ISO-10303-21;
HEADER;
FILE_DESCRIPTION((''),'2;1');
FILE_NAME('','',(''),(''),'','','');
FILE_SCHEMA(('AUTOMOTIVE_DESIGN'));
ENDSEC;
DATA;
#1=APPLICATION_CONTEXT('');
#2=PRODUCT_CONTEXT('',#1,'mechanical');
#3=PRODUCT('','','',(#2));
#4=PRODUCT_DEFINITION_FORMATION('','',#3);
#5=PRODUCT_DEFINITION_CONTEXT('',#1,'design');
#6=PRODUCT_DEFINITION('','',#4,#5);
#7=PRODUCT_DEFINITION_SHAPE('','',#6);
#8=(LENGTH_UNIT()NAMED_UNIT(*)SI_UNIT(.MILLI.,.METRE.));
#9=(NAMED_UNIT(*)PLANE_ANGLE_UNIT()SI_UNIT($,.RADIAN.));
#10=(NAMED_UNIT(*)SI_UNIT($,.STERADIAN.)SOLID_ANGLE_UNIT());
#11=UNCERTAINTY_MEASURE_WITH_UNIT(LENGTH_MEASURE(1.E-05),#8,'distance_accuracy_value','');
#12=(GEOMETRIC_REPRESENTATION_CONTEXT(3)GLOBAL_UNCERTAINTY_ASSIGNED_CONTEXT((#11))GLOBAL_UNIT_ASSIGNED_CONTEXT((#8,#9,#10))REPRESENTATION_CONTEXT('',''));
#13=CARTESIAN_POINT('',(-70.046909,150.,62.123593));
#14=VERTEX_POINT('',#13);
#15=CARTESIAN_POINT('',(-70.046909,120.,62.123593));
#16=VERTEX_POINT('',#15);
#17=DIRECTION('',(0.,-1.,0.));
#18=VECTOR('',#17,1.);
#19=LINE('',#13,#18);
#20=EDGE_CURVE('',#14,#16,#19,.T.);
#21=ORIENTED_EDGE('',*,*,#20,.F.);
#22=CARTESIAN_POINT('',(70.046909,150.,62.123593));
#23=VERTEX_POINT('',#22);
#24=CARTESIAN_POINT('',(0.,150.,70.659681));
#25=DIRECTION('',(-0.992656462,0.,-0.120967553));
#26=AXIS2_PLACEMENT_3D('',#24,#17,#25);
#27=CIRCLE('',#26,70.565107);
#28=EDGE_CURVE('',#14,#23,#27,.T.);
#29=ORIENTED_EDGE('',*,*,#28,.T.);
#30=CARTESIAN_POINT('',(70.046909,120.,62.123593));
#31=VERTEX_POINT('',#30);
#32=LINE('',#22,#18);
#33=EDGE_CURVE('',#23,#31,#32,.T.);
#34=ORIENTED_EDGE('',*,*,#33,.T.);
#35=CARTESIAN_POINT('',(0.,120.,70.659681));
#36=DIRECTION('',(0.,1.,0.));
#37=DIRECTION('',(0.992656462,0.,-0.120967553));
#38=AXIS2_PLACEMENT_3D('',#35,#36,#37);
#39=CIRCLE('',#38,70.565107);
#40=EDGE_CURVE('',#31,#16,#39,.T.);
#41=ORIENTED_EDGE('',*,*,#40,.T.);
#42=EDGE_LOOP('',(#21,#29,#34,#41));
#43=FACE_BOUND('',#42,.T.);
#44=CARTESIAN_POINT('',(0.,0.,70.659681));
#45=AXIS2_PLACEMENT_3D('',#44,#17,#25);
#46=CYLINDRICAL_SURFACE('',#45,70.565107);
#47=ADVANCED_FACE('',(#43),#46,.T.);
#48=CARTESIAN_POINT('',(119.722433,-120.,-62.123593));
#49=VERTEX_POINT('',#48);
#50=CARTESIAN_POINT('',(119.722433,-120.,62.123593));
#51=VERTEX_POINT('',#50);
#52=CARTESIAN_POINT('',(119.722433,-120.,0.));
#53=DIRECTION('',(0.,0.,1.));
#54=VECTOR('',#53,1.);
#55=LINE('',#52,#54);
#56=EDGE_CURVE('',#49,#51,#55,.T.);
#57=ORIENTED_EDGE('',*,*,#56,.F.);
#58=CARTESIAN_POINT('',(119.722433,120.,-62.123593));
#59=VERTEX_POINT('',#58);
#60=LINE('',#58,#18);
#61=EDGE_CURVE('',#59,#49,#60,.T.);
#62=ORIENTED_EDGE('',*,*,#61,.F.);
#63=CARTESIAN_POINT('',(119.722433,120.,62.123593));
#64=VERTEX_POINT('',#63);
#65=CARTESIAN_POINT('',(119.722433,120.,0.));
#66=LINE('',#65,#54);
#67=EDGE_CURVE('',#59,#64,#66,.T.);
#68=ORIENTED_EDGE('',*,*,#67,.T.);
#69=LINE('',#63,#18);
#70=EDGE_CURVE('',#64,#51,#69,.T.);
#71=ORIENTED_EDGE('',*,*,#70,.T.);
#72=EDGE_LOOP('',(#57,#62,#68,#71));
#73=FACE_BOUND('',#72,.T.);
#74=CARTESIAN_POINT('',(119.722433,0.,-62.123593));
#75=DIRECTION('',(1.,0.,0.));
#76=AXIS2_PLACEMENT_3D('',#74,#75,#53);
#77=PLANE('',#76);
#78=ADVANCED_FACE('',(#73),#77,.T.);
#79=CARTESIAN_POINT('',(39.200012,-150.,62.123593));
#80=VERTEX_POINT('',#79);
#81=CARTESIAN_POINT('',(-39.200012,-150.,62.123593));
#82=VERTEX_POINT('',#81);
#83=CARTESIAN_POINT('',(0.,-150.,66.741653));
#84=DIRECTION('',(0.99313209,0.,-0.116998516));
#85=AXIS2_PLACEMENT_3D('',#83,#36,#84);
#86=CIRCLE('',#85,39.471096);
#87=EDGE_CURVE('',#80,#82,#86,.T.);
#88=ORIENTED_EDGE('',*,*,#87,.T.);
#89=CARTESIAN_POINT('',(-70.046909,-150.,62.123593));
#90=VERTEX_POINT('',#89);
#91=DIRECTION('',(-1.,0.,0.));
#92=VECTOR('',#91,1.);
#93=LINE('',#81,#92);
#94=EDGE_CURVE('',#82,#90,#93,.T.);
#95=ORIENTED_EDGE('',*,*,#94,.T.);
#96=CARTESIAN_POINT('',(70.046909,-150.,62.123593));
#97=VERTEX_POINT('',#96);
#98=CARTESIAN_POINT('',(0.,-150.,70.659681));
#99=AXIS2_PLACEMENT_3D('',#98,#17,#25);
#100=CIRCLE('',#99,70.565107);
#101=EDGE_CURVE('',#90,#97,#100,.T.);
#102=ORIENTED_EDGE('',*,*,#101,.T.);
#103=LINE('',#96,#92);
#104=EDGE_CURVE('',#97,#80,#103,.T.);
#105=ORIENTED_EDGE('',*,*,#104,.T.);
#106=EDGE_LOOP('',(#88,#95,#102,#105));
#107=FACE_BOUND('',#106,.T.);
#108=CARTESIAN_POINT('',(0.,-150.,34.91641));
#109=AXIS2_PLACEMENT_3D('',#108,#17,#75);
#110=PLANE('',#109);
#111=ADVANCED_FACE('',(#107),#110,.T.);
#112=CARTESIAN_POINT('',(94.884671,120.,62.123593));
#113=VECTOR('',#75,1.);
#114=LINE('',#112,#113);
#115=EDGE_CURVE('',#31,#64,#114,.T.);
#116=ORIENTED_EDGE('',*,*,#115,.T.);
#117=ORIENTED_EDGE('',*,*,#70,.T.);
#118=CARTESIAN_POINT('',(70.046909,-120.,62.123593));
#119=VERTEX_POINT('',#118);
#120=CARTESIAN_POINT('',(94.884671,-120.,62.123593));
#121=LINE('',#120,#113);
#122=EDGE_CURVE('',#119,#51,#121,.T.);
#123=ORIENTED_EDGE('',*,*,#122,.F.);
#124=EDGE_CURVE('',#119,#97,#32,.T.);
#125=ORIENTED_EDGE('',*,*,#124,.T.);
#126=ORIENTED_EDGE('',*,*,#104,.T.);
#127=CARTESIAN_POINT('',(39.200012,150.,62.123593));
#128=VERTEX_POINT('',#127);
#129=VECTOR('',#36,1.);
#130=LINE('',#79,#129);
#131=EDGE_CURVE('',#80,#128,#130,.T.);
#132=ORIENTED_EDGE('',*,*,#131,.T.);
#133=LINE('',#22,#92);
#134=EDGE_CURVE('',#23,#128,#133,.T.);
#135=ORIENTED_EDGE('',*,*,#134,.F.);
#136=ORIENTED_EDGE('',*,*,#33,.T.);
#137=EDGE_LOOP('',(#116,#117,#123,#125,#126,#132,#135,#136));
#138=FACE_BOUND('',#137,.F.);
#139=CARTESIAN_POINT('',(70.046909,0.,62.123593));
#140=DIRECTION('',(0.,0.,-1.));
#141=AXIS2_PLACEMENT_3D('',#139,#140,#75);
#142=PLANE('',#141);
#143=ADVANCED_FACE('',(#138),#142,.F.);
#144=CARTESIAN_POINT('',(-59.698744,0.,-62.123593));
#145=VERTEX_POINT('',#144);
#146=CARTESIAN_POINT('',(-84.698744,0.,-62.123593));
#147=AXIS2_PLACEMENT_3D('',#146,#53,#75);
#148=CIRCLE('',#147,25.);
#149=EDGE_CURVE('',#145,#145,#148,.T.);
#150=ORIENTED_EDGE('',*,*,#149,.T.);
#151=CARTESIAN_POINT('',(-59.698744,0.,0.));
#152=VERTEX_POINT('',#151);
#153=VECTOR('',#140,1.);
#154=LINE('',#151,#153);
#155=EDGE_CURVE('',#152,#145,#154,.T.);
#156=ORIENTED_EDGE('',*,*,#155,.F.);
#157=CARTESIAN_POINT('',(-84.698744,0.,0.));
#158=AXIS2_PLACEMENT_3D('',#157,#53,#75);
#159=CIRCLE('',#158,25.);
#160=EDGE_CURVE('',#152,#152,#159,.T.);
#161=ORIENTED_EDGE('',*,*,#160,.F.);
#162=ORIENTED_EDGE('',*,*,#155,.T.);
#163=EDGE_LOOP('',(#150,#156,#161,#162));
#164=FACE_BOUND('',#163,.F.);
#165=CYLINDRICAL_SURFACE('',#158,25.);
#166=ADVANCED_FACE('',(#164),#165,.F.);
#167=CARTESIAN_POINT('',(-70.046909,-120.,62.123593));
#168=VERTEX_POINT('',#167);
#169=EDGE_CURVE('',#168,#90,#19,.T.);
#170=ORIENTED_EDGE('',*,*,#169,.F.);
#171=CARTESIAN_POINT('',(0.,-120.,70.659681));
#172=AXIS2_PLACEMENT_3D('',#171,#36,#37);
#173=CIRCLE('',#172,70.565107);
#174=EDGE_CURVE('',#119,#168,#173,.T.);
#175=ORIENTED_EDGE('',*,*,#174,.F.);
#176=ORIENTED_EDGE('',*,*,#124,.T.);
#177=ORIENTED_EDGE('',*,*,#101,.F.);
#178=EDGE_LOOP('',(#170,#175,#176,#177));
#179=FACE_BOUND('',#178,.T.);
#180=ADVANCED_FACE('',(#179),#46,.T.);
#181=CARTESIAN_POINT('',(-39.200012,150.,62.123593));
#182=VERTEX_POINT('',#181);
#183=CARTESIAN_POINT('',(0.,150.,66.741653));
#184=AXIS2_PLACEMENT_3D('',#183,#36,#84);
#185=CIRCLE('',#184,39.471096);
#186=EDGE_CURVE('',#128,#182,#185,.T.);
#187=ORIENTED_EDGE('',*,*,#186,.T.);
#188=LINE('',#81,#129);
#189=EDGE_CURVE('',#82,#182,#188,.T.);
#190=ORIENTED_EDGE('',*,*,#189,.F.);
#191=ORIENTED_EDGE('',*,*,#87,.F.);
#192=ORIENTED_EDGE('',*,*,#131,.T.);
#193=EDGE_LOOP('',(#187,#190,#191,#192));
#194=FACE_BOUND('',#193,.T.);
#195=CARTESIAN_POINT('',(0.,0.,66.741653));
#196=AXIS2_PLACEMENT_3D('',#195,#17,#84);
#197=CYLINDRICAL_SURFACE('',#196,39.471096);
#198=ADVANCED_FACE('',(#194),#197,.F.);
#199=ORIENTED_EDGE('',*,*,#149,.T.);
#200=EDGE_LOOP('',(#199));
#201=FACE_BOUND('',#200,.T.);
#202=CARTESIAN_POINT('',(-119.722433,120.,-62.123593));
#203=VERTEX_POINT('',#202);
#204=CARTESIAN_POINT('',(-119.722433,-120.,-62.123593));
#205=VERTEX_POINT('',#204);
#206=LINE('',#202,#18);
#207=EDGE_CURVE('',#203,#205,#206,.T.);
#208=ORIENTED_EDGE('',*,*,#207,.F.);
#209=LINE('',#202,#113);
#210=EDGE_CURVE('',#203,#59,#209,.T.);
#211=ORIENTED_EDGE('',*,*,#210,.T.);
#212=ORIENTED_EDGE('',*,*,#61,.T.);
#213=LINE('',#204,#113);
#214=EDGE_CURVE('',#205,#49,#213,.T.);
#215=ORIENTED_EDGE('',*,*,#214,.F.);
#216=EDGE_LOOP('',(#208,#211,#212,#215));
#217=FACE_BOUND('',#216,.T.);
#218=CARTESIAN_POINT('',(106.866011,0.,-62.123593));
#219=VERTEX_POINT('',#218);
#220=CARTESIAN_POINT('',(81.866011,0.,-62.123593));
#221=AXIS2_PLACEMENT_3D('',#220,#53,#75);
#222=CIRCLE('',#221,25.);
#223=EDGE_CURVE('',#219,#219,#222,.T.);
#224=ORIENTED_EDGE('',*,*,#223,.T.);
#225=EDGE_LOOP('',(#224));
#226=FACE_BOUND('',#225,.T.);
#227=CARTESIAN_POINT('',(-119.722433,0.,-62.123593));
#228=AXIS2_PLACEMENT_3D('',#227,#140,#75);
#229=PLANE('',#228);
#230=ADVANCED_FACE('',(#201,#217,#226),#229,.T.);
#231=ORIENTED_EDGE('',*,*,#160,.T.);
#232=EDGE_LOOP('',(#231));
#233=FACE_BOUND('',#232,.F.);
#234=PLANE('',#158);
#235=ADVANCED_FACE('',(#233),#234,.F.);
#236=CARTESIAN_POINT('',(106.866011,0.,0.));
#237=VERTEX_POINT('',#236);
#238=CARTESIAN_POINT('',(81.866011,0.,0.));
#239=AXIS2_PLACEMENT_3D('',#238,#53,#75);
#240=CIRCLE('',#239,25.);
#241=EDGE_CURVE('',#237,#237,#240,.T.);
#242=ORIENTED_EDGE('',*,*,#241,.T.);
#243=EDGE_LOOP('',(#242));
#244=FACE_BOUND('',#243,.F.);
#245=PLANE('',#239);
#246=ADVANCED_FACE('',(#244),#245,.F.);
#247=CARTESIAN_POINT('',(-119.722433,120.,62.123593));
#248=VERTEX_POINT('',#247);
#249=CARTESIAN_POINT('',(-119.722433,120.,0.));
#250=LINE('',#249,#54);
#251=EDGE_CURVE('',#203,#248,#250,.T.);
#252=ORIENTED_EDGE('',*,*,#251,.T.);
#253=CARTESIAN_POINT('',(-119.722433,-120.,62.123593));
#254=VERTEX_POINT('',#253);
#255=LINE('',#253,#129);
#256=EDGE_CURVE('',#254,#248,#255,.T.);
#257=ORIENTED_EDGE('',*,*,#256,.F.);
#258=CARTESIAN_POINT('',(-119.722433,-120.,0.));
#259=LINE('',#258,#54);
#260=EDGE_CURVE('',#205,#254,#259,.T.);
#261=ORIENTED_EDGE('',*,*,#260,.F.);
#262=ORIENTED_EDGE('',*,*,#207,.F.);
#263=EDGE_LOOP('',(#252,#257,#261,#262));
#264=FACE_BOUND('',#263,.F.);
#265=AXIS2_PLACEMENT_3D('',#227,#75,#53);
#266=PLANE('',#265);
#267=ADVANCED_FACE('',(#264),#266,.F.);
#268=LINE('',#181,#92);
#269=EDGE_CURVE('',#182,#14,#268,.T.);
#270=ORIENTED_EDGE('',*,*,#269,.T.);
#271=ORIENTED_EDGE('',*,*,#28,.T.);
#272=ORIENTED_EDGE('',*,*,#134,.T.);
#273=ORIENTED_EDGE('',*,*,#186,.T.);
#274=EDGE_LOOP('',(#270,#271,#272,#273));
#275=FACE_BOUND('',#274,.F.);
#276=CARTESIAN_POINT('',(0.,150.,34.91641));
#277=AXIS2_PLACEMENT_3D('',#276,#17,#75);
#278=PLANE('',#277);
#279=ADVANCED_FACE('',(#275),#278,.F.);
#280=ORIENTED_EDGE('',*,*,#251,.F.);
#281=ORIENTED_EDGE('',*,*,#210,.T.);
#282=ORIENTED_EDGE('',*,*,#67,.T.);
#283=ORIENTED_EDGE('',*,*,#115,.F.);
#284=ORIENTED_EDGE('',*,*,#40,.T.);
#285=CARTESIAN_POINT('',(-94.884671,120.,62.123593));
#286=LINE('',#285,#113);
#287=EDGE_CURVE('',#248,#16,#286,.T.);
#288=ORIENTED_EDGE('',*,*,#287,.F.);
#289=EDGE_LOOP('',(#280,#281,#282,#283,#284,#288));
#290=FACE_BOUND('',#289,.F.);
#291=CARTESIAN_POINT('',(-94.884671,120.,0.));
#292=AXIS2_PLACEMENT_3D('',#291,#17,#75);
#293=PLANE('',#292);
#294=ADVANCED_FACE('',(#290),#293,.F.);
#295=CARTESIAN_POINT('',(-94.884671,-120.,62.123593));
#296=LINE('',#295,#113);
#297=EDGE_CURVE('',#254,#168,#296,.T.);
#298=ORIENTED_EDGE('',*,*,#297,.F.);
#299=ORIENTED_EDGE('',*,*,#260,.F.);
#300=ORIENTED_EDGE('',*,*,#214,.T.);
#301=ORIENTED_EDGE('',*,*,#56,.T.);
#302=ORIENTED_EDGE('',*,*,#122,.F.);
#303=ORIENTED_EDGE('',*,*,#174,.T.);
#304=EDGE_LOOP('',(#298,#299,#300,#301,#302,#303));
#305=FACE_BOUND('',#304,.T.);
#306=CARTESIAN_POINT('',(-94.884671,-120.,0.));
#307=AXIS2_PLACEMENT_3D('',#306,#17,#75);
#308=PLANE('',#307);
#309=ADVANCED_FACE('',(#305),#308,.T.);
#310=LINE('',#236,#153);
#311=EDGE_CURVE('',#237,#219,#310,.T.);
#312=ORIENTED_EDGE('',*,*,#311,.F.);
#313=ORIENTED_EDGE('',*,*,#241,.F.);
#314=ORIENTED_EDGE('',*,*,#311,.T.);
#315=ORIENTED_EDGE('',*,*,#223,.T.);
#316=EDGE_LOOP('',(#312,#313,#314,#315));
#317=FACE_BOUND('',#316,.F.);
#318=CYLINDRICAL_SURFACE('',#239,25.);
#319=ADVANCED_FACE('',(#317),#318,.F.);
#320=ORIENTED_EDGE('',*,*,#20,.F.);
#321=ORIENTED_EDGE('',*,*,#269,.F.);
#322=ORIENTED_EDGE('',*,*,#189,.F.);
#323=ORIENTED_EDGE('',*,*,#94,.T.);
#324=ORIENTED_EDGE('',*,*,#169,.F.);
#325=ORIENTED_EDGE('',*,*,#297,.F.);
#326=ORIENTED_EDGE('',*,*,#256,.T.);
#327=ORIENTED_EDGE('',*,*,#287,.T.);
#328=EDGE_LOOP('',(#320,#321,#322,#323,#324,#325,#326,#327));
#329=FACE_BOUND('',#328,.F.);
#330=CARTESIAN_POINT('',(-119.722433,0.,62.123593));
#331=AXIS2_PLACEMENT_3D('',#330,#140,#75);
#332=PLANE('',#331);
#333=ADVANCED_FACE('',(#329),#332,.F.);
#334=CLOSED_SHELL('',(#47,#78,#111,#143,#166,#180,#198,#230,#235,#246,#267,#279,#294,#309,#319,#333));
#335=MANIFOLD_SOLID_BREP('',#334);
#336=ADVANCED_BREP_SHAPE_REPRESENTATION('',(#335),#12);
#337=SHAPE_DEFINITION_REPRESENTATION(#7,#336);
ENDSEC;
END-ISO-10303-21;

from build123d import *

# Parameters (mm, degrees)
F1_DEPTH      = 150
F1_DEPTH_BACK = 150
F0_W          = 49.6755242348
F0_H          = 124.2471858859
F2_DEPTH      = 120
F2_DEPTH_BACK = 120
F4_D          = 50
F4_DEPTH      = 62.124592943


with BuildPart() as f1:
    # F0 (on Front) → F1 (new body, two sides)
    with BuildSketch(Plane.XZ) as f1_sk:
        with BuildLine():
            Line((-39.2000116408, 62.123592943), (-70.0469091535, 62.123592943))
            ThreePointArc((-70.0469091535, 62.123592943), (0, 0.0945745131), (70.0469091535, 62.123592943))
            Line((70.0469091535, 62.123592943), (39.2000116408, 62.123592943))
            Line((39.2000116408, 62.123592943), (39.2000116408, 26.8699936569))
            Line((39.2000116408, 26.8699936569), (-39.2000116408, 26.8699936569))
            Line((-39.2000116408, 26.8699936569), (-39.2000116408, 62.123592943))
        make_face()
        with BuildLine():
            ThreePointArc((39.2000116408, 62.123592943), (0, 27.2705569476), (-39.2000116408, 62.123592943))
            Line((-39.2000116408, 62.123592943), (-39.2000116408, 26.8699936569))
            Line((-39.2000116408, 26.8699936569), (39.2000116408, 26.8699936569))
            Line((39.2000116408, 26.8699936569), (39.2000116408, 62.123592943))
        make_face()
    extrude(amount=F1_DEPTH)
    extrude(f1_sk.sketch, amount=-F1_DEPTH_BACK)

    # F0 (on Front) → F2 (join, two sides)
    with BuildSketch(Plane.XZ) as f2_sk:
        with Locations((-94.8846712708, 0)):
            Rectangle(F0_W, F0_H)
        with BuildLine():
            ThreePointArc((70.0469091535, 62.123592943), (0, 0.0945745131), (-70.0469091535, 62.123592943))
            Line((-70.0469091535, 62.123592943), (-70.0469091535, -62.123592943))
            Line((-70.0469091535, -62.123592943), (70.0469091535, -62.123592943))
            Line((70.0469091535, -62.123592943), (70.0469091535, 62.123592943))
        make_face()
        with Locations((94.8846712708, 0)):
            Rectangle(F0_W, F0_H)
    extrude(amount=F2_DEPTH)
    extrude(f2_sk.sketch, amount=-F2_DEPTH_BACK)

    # F4 (through all, one way)
    with BuildSketch(Plane.XY):
        with Locations((-84.6987441182, 0), (81.8660110235, 0)):
            Circle(F4_D / 2)
    extrude(amount=-F4_DEPTH, mode=Mode.SUBTRACT)


solid = f1.part
